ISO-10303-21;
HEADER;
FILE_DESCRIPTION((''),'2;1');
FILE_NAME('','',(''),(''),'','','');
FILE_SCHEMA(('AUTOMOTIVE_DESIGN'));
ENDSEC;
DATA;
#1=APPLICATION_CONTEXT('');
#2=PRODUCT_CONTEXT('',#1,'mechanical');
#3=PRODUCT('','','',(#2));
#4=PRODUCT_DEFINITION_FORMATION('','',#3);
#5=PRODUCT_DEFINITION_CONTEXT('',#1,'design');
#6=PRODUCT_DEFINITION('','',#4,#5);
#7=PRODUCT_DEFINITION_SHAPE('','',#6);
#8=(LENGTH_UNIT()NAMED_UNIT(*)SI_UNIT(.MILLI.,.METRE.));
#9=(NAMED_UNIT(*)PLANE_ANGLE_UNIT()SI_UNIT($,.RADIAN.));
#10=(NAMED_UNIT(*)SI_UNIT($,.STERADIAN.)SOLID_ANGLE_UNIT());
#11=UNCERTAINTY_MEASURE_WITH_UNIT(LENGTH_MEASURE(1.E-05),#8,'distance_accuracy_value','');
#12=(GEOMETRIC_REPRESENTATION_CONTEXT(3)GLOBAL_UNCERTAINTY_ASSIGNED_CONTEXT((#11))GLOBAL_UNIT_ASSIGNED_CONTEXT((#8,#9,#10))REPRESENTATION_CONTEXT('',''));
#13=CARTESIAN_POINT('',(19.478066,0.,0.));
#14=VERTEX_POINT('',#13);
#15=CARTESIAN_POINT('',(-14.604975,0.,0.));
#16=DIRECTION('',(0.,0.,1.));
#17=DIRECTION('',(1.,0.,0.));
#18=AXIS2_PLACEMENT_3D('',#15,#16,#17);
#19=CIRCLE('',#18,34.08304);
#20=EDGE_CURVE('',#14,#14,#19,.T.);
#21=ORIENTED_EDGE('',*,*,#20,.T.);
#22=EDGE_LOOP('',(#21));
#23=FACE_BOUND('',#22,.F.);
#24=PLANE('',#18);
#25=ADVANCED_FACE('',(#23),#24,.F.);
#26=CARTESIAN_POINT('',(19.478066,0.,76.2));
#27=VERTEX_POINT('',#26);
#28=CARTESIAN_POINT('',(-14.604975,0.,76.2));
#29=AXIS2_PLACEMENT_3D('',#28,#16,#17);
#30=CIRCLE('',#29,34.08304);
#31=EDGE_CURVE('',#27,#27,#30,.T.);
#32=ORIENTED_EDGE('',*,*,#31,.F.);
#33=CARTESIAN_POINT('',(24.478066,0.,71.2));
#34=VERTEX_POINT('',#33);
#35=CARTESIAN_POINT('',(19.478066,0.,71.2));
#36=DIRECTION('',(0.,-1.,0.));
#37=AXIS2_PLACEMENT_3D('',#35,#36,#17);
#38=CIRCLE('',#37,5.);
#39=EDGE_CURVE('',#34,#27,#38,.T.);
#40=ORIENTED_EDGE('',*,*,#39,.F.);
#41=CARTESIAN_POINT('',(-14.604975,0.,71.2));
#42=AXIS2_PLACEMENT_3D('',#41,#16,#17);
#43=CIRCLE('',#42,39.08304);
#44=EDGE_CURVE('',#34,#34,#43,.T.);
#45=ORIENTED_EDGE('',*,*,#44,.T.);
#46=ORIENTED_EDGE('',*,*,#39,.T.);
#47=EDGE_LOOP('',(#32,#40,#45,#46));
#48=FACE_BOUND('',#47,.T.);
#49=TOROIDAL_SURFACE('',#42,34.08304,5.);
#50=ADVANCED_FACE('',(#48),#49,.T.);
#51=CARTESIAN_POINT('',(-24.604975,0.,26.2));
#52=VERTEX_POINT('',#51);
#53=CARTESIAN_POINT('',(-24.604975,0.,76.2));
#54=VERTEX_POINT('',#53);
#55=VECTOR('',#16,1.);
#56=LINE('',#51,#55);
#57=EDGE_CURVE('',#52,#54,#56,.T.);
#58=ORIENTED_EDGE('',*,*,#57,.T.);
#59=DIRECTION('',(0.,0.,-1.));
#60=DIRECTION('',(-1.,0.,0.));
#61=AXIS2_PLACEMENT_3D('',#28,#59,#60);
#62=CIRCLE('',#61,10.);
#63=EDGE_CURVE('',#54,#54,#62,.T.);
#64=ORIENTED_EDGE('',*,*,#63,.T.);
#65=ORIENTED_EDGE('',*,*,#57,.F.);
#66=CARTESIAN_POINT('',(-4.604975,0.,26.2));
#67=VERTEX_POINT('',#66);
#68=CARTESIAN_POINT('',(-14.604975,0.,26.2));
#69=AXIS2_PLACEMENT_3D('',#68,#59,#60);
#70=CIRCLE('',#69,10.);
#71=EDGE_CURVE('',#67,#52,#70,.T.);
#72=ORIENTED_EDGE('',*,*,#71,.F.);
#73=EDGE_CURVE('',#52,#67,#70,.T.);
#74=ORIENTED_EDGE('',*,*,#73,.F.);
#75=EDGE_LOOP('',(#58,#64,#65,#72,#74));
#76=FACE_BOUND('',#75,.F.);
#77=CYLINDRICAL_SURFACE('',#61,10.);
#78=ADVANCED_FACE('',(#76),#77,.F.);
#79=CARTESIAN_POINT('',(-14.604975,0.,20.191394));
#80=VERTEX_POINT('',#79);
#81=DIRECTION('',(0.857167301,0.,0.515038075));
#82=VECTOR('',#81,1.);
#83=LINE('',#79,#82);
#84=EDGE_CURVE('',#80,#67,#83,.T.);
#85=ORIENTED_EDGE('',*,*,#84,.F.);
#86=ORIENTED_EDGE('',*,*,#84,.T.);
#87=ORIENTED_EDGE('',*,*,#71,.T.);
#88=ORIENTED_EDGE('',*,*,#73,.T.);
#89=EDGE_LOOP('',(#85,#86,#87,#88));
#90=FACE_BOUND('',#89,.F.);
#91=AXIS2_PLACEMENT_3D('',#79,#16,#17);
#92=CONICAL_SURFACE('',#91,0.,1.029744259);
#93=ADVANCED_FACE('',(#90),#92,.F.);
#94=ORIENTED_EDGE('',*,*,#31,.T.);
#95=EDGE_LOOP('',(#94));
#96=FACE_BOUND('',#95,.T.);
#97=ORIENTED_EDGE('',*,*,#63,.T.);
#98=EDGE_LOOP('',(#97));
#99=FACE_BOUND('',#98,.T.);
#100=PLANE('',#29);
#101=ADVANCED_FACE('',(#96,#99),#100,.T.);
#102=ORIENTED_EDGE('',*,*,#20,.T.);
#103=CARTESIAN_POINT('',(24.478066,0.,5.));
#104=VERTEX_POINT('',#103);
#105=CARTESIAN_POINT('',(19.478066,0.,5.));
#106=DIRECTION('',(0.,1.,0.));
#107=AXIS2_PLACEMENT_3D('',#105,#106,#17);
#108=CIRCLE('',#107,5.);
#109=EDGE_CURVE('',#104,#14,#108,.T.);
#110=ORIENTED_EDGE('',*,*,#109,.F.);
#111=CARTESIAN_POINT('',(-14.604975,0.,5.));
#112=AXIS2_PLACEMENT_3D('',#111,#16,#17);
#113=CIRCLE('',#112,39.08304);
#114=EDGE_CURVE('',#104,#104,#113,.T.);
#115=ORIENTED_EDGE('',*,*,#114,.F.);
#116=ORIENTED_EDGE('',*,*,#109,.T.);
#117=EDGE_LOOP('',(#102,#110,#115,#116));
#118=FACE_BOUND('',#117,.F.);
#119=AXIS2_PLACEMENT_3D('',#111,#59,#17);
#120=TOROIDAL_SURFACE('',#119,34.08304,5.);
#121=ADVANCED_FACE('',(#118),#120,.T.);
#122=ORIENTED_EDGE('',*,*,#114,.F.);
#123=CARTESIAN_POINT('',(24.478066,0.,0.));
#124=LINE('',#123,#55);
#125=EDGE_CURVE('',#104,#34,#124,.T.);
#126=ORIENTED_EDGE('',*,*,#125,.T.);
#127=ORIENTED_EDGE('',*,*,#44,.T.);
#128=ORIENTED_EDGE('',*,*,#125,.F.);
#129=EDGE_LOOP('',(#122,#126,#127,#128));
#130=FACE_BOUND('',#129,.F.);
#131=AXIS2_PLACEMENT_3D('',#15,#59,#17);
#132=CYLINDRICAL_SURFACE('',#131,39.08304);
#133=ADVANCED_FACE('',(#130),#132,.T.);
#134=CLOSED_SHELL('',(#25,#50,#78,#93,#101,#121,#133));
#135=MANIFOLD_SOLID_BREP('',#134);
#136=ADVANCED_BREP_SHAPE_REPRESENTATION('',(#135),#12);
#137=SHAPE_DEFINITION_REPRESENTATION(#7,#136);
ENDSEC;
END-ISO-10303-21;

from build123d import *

# Parameters (mm, degrees)
F0_R           = 39.0830403339
F1_DEPTH       = 76.2
F2_R           = 5
F4_D           = 20
F4_DEPTH       = 50
F4_CBORE_D     = 20
F4_CBORE_DEPTH = 30
F4_TIP         = 6.0086061903


with BuildPart() as f1:
    # F0 (on Top) → F1 (new body)
    with BuildSketch(Plane.XY):
        with Locations((-14.6049745381, 0)):
            Circle(F0_R)
    extrude(amount=F1_DEPTH)

    # F2
    f2_edges = [f1.edges().sort_by_distance(p)[0] for p in [
        (24.478066, 0, 38.1),
        (-53.688015, 0, 0),
        (-53.688015, 0, 76.2),
    ]]
    fillet(f2_edges, radius=F2_R)

    # F4
    with Locations(Plane.XY.offset(76.2)):
        with Locations((-14.6049745381, 0)):
            CounterBoreHole(F4_D / 2, F4_CBORE_D / 2, F4_CBORE_DEPTH, depth=F4_DEPTH)
            with Locations((0, 0, -(F4_DEPTH + F4_TIP / 2))):  # 118° drill point
                Cone(0, F4_D / 2, F4_TIP, mode=Mode.SUBTRACT)


solid = f1.part
